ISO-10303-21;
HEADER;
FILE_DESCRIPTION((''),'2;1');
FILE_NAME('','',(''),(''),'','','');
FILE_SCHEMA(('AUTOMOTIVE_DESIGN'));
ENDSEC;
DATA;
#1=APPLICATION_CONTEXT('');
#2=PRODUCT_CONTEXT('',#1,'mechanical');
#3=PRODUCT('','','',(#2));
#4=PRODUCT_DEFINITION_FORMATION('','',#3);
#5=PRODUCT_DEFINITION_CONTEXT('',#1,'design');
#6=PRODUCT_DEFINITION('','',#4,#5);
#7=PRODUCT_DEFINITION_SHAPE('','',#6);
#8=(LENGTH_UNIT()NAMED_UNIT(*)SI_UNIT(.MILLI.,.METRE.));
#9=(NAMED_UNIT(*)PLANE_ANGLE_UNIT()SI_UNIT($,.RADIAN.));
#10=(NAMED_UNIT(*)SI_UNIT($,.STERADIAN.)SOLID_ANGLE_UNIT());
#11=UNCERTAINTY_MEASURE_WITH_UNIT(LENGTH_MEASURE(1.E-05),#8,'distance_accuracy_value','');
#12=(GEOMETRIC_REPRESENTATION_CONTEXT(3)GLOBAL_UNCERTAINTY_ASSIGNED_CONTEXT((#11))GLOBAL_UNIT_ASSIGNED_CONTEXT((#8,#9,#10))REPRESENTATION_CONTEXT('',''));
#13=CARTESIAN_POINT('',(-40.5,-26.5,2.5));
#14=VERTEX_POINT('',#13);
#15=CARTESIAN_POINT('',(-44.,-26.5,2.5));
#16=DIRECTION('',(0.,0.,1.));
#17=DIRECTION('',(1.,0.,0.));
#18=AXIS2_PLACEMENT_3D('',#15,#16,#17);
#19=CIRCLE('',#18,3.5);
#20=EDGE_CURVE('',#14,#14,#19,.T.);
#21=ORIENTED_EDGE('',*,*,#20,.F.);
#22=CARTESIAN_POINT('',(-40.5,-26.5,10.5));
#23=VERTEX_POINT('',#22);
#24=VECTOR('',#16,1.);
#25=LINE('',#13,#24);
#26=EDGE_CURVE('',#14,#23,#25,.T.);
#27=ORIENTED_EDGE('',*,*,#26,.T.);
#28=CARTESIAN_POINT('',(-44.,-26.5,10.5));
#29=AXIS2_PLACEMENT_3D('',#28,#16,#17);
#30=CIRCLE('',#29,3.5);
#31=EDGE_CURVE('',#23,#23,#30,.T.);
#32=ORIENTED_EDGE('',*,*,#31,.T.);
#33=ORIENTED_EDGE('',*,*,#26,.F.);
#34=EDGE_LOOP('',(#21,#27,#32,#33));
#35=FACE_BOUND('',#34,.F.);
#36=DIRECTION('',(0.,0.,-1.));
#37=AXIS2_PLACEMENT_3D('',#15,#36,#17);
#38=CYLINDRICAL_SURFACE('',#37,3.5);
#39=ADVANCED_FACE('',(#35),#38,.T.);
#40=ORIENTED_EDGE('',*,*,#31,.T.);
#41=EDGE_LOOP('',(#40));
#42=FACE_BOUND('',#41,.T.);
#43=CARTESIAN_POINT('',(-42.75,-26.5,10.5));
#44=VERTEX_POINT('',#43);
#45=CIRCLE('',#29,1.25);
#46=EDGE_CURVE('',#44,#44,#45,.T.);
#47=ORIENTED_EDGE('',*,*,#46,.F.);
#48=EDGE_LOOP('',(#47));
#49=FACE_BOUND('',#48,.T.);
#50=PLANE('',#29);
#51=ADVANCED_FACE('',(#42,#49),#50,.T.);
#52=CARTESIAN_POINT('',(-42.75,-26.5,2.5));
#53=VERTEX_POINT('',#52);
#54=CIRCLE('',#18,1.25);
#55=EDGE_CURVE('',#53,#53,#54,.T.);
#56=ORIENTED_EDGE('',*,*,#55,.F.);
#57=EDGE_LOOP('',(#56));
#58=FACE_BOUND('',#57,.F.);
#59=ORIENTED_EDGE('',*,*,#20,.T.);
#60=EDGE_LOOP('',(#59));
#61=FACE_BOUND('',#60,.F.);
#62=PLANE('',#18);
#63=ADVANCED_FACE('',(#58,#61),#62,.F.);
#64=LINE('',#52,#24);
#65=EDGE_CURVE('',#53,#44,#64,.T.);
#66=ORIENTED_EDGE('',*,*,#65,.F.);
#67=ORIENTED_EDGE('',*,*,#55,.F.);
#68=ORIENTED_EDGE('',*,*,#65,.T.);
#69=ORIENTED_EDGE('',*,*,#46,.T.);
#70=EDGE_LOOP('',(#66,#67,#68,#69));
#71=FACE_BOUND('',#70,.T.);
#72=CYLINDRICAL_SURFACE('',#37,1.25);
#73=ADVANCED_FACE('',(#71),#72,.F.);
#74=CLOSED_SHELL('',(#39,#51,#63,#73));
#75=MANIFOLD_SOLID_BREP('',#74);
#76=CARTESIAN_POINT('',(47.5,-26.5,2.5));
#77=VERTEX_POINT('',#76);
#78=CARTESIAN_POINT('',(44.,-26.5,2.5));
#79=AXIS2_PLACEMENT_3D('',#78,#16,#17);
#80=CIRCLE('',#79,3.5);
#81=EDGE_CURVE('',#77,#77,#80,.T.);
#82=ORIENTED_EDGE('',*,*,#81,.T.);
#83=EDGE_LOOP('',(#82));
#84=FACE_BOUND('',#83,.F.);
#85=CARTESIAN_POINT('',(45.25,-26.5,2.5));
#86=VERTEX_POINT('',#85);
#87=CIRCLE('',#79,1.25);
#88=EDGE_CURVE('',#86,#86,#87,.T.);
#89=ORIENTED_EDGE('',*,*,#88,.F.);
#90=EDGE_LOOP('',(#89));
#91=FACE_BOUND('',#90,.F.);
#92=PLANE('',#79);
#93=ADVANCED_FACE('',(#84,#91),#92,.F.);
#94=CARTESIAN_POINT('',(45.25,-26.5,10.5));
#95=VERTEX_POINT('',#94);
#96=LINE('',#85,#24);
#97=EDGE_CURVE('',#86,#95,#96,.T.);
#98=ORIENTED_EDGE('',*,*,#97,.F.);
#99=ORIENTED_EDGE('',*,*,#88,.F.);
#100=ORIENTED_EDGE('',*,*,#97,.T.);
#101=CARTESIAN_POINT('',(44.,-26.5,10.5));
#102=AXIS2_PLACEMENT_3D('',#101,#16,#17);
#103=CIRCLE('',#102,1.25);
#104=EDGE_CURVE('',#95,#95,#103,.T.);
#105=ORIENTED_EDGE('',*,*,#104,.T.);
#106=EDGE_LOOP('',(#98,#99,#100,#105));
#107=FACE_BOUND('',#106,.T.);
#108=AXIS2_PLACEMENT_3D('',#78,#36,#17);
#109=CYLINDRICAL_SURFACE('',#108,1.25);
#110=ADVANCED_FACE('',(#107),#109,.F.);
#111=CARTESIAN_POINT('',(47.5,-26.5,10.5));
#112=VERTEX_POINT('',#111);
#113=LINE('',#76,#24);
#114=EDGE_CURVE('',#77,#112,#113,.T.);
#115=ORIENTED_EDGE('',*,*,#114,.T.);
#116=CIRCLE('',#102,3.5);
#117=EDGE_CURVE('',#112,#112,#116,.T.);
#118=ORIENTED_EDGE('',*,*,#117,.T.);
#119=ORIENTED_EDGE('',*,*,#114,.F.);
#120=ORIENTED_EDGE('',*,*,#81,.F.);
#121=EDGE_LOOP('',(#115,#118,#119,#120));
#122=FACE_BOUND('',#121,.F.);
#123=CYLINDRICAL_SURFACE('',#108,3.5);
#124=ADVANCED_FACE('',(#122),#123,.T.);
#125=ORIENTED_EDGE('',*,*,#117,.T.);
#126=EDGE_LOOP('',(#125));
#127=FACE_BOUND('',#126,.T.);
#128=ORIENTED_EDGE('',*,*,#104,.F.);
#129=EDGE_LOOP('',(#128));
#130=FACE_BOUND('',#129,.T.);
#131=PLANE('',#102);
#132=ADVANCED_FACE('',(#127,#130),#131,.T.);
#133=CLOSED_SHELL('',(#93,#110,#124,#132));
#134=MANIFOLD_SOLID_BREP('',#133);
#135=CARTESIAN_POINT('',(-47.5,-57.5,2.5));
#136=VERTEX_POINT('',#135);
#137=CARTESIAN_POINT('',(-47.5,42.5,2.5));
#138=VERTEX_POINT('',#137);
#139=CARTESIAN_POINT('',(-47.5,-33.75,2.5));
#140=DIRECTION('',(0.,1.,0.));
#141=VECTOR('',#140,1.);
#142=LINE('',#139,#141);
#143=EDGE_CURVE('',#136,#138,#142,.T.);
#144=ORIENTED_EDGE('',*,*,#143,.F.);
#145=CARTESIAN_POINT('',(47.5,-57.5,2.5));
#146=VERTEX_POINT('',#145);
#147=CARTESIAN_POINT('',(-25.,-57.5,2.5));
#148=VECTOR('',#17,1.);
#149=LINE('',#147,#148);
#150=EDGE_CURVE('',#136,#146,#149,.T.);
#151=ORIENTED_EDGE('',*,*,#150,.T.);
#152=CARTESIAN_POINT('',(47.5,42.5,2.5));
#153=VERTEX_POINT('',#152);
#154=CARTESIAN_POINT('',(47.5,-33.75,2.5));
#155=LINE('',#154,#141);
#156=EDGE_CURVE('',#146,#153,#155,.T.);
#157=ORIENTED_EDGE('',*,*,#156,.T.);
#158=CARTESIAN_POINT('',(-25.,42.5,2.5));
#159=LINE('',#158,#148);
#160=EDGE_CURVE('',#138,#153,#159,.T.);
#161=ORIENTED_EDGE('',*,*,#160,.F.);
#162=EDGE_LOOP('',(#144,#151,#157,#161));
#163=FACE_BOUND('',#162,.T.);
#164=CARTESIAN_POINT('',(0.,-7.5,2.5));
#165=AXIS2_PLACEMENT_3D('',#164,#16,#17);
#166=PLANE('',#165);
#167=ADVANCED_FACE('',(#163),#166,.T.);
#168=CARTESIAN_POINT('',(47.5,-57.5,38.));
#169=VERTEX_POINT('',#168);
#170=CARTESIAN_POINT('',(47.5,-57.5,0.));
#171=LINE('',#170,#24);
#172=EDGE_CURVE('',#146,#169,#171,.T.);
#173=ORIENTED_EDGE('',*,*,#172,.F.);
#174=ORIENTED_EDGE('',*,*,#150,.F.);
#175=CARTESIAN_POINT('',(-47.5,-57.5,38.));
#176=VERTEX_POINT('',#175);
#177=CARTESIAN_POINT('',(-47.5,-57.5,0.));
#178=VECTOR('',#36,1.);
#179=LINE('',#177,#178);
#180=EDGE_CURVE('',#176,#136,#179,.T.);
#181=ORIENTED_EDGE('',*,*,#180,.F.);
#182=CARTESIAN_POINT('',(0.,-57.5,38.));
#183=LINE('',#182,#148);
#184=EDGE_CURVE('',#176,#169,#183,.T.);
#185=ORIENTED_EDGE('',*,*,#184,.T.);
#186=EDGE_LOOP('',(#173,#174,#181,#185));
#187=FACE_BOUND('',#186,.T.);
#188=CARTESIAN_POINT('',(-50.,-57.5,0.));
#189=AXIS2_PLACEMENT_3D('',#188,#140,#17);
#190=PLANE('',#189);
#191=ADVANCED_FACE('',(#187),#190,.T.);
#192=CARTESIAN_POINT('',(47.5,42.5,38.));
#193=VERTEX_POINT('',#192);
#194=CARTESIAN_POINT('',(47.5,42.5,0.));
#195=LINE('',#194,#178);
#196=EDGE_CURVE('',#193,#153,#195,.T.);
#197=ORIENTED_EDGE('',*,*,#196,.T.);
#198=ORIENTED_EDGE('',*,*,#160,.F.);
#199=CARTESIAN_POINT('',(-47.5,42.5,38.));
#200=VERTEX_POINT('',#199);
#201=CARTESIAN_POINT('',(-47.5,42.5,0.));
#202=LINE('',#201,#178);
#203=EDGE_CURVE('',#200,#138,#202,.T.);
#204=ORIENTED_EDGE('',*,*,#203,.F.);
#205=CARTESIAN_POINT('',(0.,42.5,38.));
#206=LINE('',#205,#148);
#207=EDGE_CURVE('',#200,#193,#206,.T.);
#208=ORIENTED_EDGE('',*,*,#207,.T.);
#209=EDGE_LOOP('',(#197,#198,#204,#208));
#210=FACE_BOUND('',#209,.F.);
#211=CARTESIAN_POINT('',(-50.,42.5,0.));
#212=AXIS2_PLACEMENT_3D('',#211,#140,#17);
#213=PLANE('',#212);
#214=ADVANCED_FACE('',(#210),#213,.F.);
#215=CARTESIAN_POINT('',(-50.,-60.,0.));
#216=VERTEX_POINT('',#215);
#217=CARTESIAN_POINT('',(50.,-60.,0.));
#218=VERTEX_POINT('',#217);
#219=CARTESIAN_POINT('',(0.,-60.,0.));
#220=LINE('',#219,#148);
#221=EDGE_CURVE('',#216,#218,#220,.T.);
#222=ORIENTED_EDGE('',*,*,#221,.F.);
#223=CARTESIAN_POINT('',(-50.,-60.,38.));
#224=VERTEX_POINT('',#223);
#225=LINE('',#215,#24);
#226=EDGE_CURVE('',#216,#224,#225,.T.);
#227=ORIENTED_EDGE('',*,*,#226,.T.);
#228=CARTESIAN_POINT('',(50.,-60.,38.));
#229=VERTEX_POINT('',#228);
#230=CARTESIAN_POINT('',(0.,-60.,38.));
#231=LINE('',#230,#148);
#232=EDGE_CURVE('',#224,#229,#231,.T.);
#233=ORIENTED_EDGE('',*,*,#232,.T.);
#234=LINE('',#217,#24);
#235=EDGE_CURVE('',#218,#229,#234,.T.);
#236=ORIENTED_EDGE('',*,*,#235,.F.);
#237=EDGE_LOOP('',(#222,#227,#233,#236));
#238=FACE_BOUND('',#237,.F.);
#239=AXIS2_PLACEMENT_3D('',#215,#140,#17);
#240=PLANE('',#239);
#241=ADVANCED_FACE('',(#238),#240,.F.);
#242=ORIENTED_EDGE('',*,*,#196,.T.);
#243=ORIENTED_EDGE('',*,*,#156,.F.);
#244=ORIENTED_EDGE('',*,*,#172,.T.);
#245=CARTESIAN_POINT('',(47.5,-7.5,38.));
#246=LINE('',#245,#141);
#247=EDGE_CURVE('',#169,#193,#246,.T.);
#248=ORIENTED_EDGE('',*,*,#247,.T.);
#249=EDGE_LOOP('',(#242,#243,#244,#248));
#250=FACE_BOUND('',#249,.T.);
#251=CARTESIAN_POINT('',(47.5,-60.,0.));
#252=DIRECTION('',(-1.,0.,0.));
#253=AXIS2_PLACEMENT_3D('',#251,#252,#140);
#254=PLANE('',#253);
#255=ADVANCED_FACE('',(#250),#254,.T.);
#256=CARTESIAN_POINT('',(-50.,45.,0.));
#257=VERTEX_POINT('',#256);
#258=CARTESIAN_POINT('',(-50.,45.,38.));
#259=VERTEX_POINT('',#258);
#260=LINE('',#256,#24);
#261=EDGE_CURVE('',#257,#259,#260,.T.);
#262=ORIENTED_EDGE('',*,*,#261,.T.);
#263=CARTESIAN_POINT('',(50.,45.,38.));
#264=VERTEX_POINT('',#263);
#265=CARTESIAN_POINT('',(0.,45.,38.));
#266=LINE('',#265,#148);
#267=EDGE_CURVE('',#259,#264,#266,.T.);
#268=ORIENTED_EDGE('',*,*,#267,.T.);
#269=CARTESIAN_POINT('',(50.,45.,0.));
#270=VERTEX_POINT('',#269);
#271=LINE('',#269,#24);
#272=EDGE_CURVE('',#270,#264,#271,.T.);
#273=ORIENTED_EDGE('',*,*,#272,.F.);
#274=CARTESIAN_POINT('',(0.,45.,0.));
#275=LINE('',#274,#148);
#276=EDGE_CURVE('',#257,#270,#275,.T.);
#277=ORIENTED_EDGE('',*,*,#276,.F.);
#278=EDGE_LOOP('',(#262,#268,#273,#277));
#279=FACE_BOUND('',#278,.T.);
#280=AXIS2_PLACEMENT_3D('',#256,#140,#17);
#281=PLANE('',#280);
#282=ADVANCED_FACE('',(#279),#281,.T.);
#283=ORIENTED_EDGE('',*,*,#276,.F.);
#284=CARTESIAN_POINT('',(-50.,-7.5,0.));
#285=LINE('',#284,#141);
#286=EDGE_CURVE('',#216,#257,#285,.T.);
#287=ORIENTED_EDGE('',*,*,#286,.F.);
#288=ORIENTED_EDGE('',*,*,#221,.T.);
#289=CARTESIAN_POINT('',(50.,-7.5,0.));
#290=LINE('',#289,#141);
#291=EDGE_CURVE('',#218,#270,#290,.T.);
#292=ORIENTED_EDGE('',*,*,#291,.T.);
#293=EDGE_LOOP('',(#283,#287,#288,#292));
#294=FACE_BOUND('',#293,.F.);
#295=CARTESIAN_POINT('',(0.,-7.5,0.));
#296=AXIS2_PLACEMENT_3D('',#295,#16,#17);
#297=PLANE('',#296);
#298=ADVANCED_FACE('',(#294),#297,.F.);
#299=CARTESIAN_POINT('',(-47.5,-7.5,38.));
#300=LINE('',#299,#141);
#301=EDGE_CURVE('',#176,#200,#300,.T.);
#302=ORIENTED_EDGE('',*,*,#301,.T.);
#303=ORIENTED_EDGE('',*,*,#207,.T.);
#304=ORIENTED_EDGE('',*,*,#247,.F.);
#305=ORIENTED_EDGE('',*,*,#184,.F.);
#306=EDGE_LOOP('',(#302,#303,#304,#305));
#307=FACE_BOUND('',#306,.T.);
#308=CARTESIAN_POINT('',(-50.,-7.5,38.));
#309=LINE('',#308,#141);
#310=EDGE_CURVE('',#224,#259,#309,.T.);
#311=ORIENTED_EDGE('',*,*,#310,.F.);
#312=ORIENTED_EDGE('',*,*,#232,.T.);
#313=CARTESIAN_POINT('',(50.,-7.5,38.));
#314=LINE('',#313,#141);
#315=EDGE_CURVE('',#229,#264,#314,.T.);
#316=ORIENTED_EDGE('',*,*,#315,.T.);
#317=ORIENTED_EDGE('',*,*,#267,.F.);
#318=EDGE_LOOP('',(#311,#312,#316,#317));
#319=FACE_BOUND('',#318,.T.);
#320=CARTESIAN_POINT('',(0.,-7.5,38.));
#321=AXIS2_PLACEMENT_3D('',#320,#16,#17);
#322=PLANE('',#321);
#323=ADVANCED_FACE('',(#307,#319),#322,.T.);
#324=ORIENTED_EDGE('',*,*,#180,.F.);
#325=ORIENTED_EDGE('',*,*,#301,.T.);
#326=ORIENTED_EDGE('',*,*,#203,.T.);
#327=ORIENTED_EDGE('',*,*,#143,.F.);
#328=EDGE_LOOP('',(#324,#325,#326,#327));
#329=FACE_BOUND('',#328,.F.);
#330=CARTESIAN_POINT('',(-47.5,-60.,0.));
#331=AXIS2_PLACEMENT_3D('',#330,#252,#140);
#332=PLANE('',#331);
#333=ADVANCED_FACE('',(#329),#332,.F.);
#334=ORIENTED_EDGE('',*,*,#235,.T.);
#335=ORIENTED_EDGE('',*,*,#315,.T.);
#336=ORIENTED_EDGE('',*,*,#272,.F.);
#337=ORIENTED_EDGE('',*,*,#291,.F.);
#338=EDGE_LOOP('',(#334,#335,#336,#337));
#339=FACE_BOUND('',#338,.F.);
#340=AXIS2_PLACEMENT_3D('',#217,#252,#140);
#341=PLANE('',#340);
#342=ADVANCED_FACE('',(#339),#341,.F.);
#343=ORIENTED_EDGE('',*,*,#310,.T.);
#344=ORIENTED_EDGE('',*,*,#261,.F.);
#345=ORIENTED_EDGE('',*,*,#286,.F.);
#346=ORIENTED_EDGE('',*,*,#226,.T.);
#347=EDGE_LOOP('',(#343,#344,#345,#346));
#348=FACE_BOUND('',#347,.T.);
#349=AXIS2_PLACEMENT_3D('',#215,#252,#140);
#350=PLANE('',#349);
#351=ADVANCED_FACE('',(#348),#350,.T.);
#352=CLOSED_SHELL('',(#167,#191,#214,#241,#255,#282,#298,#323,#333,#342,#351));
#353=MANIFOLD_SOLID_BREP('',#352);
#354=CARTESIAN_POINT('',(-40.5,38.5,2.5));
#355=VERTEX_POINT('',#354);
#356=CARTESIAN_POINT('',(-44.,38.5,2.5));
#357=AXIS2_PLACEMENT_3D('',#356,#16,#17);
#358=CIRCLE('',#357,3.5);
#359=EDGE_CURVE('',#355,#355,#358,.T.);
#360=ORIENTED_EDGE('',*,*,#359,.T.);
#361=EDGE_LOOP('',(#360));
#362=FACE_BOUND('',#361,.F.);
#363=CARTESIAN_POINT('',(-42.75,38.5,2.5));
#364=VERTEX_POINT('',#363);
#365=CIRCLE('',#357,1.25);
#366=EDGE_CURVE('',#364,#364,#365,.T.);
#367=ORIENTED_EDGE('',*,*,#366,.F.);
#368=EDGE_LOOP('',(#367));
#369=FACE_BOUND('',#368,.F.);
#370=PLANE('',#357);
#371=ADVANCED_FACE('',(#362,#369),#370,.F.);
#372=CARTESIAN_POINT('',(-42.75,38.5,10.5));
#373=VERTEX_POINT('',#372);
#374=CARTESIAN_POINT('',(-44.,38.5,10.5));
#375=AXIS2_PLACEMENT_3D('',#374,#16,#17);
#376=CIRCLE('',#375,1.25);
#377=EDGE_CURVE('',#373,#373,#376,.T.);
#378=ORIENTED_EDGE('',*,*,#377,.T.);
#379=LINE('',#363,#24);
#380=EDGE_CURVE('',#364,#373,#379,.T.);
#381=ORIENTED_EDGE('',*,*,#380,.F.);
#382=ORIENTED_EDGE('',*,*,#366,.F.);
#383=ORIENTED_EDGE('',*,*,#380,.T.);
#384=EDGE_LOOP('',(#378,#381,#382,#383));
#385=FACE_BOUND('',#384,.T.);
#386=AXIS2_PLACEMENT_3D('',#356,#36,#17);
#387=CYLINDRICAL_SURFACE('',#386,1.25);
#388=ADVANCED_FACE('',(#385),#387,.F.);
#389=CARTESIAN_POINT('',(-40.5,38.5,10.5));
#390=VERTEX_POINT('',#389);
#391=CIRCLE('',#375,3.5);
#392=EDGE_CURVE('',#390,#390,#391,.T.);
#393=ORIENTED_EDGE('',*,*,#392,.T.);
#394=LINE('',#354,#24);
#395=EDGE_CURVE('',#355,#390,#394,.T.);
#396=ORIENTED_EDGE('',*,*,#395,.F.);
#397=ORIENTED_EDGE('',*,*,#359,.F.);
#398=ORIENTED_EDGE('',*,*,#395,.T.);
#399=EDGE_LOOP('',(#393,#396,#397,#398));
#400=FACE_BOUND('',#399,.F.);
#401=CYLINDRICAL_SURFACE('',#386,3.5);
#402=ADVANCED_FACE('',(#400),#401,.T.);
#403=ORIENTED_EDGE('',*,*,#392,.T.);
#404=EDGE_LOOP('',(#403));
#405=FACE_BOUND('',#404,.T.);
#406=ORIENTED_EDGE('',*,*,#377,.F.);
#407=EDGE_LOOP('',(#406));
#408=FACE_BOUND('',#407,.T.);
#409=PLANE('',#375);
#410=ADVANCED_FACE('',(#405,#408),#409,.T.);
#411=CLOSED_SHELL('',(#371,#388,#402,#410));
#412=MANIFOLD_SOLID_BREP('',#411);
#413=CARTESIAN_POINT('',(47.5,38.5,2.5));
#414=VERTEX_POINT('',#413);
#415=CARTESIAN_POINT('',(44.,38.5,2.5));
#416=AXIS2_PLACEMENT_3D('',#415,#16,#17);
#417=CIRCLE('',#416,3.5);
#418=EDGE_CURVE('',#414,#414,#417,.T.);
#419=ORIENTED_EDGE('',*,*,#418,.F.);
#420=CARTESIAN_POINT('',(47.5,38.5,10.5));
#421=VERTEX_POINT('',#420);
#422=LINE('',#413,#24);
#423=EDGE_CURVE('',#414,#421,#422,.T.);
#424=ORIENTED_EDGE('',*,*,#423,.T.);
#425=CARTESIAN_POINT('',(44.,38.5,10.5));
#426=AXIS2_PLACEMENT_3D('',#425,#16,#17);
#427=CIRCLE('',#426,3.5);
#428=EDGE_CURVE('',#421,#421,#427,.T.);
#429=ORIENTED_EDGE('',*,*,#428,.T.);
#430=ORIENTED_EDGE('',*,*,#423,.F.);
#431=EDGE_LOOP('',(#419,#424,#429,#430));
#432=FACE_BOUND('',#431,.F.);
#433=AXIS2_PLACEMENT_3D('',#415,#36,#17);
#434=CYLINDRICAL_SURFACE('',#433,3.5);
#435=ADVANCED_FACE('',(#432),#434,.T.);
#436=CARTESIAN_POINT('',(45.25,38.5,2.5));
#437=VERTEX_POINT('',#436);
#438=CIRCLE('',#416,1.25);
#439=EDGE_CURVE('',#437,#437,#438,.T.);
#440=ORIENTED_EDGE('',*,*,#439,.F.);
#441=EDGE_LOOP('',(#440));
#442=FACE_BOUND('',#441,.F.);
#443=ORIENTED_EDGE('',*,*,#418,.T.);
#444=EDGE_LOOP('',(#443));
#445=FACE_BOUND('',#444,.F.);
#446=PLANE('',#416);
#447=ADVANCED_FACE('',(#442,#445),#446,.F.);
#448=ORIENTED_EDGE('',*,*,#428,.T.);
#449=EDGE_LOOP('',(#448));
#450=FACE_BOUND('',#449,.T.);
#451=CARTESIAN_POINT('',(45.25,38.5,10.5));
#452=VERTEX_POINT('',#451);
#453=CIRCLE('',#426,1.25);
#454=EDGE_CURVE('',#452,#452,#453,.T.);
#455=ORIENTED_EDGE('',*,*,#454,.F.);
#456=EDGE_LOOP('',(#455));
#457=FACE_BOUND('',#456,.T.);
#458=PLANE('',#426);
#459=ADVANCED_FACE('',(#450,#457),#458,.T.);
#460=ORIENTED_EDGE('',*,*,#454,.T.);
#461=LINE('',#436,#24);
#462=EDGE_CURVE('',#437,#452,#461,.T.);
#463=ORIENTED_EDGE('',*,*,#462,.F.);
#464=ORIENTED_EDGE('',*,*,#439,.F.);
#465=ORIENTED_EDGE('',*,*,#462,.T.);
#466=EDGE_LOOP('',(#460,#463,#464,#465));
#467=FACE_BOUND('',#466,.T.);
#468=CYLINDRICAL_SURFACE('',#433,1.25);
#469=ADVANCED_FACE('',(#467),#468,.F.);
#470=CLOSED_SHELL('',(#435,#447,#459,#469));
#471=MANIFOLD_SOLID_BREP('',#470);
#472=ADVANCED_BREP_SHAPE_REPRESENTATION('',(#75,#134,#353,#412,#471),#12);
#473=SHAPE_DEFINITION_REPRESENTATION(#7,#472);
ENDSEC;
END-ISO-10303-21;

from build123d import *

# Parameters (mm, degrees)
F0_W     = 100
F0_H     = 105
F1_DEPTH = 38
F2_T     = -2.5
F4_R     = 3.5
F4_R_2   = 1.25
F5_DEPTH = 8


with BuildPart() as f1:
    # F0 (on Top) → F1 (new body)
    with BuildSketch(Plane.XY):
        with Locations((0, -7.5)):
            Rectangle(F0_W, F0_H)
    extrude(amount=F1_DEPTH)

    # F2
    f2_openings = [f1.faces().sort_by_distance(p)[0] for p in [
        (0, -7.5, 38),
    ]]
    offset(amount=F2_T, openings=f2_openings)


with BuildPart() as f5:
    # F4 (on offset) → F5 (new body)
    with BuildSketch(Plane.XY.offset(2.5)):
        with Locations((44, 38.5)):
            Circle(F4_R)
        with Locations((44, 38.5)):
            Circle(F4_R_2, mode=Mode.SUBTRACT)
    extrude(amount=F5_DEPTH)


with BuildPart() as f5b:
    # F4 (on offset) → F5, piece 2 (new body)
    with BuildSketch(Plane.XY.offset(2.5)):
        with Locations((-44, 38.5)):
            Circle(F4_R)
        with Locations((-44, 38.5)):
            Circle(F4_R_2, mode=Mode.SUBTRACT)
    extrude(amount=F5_DEPTH)


with BuildPart() as f5c:
    # F4 (on offset) → F5, piece 3 (new body)
    with BuildSketch(Plane.XY.offset(2.5)):
        with Locations((-44, -26.5)):
            Circle(F4_R)
        with Locations((-44, -26.5)):
            Circle(F4_R_2, mode=Mode.SUBTRACT)
    extrude(amount=F5_DEPTH)


with BuildPart() as f5d:
    # F4 (on offset) → F5, piece 4 (new body)
    with BuildSketch(Plane.XY.offset(2.5)):
        with Locations((44, -26.5)):
            Circle(F4_R)
        with Locations((44, -26.5)):
            Circle(F4_R_2, mode=Mode.SUBTRACT)
    extrude(amount=F5_DEPTH)


solid = Compound([f1.part, f5.part, f5b.part, f5c.part, f5d.part])
